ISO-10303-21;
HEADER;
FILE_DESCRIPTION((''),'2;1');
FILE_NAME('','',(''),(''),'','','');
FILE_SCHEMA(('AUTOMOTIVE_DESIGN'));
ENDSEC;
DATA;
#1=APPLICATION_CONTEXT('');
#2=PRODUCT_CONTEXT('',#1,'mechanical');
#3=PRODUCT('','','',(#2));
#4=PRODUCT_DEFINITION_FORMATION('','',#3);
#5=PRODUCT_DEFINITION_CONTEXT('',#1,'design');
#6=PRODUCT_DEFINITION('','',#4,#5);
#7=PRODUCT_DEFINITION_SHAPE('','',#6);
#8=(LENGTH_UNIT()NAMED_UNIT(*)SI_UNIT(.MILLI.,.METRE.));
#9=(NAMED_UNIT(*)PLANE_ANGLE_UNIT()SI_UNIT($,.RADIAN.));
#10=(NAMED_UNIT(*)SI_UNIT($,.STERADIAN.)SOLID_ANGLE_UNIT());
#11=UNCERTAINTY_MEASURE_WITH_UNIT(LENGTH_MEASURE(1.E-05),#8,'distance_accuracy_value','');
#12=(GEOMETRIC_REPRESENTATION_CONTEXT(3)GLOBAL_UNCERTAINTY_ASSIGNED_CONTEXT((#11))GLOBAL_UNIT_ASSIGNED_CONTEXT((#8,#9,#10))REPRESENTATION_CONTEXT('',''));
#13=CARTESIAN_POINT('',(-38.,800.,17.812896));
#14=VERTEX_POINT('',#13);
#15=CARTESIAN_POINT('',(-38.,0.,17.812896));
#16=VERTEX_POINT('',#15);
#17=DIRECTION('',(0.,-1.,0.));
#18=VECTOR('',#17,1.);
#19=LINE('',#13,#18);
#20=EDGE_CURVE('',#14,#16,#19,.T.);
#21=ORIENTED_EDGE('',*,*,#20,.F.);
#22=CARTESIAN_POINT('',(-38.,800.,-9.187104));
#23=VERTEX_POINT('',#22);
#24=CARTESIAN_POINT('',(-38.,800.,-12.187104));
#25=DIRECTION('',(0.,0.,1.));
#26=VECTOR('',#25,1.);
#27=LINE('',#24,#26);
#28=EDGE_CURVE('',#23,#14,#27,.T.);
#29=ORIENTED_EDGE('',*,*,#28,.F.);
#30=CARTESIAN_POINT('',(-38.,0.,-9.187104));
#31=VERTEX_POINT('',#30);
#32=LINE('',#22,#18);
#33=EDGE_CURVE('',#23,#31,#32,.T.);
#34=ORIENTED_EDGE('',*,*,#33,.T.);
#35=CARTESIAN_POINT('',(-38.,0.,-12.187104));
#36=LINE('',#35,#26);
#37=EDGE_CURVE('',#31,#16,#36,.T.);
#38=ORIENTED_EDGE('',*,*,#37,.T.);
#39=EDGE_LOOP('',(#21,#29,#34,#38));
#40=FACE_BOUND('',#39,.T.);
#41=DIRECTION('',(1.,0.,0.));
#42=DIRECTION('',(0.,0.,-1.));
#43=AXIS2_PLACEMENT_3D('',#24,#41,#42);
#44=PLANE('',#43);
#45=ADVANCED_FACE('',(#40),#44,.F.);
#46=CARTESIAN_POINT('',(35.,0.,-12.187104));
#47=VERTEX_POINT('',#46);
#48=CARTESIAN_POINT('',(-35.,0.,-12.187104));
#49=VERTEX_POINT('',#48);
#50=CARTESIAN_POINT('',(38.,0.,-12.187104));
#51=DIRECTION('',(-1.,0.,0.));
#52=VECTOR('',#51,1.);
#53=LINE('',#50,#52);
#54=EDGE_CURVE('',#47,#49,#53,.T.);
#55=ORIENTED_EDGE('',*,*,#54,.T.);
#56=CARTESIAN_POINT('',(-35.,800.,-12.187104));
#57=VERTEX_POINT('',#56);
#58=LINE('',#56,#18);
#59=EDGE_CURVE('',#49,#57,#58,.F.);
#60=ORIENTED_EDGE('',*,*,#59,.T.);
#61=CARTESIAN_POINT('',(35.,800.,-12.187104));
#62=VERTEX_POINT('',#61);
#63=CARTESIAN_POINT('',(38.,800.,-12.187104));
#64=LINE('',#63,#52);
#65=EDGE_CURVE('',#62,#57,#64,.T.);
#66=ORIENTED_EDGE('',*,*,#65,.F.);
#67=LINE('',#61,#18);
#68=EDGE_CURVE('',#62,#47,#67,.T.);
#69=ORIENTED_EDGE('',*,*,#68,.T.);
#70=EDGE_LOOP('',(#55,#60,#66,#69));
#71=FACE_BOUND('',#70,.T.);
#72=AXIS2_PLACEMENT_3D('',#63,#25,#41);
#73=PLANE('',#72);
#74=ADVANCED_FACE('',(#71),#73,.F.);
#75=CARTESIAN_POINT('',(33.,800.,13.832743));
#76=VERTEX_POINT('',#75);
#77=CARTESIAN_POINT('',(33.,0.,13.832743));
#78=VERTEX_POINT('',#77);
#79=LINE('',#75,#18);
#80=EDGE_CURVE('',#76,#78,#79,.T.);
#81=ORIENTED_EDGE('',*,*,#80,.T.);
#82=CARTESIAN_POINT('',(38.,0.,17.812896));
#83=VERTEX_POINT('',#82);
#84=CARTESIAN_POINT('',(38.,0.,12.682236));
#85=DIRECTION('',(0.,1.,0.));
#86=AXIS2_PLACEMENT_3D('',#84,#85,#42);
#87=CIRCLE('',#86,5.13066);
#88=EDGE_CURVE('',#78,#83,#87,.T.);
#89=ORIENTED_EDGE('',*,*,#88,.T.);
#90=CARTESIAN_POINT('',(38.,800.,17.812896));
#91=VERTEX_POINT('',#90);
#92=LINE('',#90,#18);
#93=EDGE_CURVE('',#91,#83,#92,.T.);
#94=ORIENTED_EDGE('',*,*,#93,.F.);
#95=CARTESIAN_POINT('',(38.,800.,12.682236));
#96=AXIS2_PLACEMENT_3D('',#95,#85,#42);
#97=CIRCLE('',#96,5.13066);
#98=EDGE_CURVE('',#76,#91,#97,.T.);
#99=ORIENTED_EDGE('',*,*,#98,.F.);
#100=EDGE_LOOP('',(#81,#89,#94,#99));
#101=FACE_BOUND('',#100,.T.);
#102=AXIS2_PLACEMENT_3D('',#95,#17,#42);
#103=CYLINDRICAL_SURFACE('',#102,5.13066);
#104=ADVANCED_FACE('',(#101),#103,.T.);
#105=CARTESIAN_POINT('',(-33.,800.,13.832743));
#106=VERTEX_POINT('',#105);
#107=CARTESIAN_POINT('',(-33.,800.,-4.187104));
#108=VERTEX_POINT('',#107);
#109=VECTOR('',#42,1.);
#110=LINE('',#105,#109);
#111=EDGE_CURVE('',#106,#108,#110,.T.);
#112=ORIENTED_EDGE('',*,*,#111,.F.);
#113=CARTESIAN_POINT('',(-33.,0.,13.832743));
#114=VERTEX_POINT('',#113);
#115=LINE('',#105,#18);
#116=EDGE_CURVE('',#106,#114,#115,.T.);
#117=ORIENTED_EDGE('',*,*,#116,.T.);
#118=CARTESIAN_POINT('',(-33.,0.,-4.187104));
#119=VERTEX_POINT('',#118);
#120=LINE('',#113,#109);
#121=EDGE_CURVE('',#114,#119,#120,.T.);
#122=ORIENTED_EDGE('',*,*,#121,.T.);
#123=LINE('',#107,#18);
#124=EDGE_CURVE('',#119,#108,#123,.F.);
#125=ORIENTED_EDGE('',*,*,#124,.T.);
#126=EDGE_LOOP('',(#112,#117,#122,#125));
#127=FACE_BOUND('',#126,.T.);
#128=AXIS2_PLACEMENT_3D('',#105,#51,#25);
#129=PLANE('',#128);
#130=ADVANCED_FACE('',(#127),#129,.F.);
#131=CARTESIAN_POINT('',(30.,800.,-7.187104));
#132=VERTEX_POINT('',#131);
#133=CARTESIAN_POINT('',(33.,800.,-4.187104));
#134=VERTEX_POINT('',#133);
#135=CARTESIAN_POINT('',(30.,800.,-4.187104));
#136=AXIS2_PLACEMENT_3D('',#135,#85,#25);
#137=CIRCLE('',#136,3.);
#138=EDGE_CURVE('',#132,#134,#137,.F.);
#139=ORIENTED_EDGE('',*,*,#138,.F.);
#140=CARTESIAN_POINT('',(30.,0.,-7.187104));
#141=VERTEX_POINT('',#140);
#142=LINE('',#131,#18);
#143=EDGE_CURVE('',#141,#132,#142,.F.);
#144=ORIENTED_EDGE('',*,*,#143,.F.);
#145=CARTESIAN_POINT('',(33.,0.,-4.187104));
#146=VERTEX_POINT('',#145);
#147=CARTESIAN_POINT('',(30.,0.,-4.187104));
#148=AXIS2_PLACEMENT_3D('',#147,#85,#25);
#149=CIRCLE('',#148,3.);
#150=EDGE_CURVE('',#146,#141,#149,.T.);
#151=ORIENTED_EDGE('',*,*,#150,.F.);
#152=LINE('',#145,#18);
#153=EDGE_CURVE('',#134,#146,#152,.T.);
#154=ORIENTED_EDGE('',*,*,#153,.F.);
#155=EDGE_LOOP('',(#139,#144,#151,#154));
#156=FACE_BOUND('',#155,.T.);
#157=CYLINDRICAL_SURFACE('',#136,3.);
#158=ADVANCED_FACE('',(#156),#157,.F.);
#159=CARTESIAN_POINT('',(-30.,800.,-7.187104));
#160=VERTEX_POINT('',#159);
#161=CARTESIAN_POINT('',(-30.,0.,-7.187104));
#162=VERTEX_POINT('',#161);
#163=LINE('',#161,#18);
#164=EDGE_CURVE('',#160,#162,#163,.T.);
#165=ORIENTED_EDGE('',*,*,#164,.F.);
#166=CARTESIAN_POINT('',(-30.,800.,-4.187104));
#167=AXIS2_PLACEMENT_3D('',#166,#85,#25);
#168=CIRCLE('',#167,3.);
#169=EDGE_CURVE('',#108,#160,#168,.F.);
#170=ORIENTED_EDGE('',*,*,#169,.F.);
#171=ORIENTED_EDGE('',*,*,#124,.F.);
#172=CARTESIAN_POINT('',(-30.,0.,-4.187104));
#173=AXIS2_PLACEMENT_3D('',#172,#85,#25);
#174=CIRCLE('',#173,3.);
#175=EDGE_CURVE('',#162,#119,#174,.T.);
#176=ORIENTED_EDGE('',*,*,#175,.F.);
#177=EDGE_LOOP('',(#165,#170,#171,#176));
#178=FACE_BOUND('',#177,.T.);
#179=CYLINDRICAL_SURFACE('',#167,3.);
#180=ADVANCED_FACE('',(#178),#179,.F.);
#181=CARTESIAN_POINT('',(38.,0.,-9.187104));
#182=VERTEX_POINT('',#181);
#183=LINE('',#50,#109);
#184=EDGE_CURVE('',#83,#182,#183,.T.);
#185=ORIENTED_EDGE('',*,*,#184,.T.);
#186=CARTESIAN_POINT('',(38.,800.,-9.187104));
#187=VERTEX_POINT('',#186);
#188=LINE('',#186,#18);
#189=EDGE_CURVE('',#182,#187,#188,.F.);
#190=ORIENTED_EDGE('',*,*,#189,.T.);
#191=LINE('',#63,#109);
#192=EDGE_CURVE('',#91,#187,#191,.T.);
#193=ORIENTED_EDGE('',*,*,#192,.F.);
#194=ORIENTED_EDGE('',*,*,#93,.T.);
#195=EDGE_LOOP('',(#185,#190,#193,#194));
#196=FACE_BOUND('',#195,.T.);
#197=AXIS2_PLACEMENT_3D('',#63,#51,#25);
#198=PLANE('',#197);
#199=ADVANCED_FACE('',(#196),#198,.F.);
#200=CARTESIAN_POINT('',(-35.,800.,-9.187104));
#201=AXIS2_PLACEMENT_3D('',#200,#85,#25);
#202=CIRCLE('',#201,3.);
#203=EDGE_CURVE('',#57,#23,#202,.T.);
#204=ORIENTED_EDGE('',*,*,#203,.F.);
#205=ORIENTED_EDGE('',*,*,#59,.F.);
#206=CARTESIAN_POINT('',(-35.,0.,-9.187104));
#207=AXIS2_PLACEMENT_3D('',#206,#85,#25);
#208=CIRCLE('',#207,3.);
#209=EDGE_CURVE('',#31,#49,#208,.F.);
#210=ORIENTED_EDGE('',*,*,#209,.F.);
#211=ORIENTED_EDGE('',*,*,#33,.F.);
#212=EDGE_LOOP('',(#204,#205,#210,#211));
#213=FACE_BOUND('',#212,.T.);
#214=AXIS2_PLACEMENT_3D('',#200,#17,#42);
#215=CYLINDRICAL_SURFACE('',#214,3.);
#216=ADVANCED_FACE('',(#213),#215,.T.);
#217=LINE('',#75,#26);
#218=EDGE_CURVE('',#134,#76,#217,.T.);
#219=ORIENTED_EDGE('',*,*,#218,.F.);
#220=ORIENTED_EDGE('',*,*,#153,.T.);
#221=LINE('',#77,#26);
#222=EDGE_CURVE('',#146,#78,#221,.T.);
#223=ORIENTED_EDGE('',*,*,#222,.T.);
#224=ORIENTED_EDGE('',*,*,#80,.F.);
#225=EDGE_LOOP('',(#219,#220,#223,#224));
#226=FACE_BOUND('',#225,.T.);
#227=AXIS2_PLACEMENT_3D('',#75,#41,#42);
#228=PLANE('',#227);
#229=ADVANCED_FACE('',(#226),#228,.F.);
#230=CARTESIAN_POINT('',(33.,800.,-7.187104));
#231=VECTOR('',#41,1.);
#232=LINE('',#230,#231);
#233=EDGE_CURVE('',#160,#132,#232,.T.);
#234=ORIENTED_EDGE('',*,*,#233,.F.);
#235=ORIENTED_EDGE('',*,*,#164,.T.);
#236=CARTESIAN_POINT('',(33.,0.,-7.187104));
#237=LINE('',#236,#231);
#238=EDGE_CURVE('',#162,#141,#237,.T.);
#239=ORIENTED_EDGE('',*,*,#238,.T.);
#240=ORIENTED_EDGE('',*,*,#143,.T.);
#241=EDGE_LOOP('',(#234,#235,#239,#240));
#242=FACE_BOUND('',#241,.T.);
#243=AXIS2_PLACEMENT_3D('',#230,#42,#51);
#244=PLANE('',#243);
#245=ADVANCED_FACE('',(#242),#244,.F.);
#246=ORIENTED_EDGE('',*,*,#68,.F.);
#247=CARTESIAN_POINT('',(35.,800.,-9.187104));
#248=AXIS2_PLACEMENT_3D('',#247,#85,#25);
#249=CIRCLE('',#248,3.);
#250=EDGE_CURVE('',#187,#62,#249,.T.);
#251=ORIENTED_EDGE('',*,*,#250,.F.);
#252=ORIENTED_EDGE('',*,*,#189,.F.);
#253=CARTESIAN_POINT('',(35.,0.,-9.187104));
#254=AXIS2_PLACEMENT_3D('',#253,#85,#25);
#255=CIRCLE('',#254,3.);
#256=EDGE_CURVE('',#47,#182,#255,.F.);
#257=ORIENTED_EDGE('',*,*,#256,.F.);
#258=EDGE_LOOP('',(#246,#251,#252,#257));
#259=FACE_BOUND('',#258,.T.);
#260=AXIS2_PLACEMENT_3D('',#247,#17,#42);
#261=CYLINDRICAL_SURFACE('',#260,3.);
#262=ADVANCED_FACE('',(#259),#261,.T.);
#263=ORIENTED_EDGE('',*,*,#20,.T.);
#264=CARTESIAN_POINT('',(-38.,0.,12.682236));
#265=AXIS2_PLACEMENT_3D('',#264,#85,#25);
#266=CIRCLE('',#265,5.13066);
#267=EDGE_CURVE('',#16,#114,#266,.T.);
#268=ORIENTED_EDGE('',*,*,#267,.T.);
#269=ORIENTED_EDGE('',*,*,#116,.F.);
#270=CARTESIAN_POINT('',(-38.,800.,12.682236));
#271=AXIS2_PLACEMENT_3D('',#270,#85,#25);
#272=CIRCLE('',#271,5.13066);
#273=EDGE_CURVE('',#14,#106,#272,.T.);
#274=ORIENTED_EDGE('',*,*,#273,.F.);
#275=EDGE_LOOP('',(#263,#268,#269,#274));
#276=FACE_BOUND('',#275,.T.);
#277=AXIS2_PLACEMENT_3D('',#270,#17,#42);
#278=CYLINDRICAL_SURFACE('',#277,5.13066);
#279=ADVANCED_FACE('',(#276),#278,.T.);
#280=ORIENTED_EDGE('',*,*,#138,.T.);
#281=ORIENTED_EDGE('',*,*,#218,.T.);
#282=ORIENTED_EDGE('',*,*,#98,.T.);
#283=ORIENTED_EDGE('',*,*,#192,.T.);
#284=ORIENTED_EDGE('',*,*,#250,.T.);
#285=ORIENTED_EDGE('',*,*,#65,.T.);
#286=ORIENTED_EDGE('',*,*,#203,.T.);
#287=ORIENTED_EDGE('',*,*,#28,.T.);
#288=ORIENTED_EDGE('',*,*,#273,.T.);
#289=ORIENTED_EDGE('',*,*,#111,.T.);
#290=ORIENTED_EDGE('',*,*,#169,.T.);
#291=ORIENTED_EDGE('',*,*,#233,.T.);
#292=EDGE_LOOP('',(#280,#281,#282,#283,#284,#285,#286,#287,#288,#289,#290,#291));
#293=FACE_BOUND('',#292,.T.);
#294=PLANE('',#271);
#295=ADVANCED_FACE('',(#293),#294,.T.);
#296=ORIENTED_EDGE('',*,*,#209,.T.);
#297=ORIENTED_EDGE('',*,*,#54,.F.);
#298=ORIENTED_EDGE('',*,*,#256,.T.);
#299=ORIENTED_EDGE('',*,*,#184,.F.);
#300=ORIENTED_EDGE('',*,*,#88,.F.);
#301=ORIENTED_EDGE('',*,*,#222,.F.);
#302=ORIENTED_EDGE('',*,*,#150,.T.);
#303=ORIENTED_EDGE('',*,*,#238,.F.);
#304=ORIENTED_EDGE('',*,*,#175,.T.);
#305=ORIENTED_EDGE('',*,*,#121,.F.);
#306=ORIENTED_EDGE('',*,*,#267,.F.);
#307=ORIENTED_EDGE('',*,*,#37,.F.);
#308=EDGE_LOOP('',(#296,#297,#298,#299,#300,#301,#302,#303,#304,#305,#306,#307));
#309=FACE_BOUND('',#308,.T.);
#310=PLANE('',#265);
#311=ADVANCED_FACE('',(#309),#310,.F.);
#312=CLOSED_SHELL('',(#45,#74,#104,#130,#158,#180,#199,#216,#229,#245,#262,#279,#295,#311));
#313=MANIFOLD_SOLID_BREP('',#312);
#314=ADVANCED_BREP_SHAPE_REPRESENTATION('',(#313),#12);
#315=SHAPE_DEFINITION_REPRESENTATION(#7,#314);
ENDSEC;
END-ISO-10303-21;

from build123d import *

# Parameters (mm, degrees)
BOSS_EXTRUDE1_DEPTH = 800
FILLET1_R           = 3


with BuildPart() as part:
    # Sketch2 → Boss-Extrude1 (new body)
    with BuildSketch(Plane(origin=(0, 0, 0), x_dir=(1, 0, 0), z_dir=(0, 1, 0))):
        with BuildLine():
            Line((38, 12.187104498), (38, -17.812895502))
            ThreePointArc((38, -17.812895502), (34.80462792, -16.696369068), (33, -13.832743381))
            Line((33, -13.832743381), (33, 7.187104498))
            Line((33, 7.187104498), (-33, 7.187104498))
            Line((-33, 7.187104498), (-33, -13.832743381))
            ThreePointArc((-33, -13.832743381), (-34.80462792, -16.696369068), (-38, -17.812895502))
            Line((-38, -17.812895502), (-38, 12.187104498))
            Line((-38, 12.187104498), (38, 12.187104498))
        make_face()
    extrude(amount=BOSS_EXTRUDE1_DEPTH)

    # Fillet1
    fillet1_edges = [part.edges().sort_by_distance(p)[0] for p in [
        (38, 400, -12.187104498),
        (33, 400, -7.187104498),
        (-33, 400, -7.187104498),
        (-38, 400, -12.187104498),
    ]]
    fillet(fillet1_edges, radius=FILLET1_R)


solid = part.part
